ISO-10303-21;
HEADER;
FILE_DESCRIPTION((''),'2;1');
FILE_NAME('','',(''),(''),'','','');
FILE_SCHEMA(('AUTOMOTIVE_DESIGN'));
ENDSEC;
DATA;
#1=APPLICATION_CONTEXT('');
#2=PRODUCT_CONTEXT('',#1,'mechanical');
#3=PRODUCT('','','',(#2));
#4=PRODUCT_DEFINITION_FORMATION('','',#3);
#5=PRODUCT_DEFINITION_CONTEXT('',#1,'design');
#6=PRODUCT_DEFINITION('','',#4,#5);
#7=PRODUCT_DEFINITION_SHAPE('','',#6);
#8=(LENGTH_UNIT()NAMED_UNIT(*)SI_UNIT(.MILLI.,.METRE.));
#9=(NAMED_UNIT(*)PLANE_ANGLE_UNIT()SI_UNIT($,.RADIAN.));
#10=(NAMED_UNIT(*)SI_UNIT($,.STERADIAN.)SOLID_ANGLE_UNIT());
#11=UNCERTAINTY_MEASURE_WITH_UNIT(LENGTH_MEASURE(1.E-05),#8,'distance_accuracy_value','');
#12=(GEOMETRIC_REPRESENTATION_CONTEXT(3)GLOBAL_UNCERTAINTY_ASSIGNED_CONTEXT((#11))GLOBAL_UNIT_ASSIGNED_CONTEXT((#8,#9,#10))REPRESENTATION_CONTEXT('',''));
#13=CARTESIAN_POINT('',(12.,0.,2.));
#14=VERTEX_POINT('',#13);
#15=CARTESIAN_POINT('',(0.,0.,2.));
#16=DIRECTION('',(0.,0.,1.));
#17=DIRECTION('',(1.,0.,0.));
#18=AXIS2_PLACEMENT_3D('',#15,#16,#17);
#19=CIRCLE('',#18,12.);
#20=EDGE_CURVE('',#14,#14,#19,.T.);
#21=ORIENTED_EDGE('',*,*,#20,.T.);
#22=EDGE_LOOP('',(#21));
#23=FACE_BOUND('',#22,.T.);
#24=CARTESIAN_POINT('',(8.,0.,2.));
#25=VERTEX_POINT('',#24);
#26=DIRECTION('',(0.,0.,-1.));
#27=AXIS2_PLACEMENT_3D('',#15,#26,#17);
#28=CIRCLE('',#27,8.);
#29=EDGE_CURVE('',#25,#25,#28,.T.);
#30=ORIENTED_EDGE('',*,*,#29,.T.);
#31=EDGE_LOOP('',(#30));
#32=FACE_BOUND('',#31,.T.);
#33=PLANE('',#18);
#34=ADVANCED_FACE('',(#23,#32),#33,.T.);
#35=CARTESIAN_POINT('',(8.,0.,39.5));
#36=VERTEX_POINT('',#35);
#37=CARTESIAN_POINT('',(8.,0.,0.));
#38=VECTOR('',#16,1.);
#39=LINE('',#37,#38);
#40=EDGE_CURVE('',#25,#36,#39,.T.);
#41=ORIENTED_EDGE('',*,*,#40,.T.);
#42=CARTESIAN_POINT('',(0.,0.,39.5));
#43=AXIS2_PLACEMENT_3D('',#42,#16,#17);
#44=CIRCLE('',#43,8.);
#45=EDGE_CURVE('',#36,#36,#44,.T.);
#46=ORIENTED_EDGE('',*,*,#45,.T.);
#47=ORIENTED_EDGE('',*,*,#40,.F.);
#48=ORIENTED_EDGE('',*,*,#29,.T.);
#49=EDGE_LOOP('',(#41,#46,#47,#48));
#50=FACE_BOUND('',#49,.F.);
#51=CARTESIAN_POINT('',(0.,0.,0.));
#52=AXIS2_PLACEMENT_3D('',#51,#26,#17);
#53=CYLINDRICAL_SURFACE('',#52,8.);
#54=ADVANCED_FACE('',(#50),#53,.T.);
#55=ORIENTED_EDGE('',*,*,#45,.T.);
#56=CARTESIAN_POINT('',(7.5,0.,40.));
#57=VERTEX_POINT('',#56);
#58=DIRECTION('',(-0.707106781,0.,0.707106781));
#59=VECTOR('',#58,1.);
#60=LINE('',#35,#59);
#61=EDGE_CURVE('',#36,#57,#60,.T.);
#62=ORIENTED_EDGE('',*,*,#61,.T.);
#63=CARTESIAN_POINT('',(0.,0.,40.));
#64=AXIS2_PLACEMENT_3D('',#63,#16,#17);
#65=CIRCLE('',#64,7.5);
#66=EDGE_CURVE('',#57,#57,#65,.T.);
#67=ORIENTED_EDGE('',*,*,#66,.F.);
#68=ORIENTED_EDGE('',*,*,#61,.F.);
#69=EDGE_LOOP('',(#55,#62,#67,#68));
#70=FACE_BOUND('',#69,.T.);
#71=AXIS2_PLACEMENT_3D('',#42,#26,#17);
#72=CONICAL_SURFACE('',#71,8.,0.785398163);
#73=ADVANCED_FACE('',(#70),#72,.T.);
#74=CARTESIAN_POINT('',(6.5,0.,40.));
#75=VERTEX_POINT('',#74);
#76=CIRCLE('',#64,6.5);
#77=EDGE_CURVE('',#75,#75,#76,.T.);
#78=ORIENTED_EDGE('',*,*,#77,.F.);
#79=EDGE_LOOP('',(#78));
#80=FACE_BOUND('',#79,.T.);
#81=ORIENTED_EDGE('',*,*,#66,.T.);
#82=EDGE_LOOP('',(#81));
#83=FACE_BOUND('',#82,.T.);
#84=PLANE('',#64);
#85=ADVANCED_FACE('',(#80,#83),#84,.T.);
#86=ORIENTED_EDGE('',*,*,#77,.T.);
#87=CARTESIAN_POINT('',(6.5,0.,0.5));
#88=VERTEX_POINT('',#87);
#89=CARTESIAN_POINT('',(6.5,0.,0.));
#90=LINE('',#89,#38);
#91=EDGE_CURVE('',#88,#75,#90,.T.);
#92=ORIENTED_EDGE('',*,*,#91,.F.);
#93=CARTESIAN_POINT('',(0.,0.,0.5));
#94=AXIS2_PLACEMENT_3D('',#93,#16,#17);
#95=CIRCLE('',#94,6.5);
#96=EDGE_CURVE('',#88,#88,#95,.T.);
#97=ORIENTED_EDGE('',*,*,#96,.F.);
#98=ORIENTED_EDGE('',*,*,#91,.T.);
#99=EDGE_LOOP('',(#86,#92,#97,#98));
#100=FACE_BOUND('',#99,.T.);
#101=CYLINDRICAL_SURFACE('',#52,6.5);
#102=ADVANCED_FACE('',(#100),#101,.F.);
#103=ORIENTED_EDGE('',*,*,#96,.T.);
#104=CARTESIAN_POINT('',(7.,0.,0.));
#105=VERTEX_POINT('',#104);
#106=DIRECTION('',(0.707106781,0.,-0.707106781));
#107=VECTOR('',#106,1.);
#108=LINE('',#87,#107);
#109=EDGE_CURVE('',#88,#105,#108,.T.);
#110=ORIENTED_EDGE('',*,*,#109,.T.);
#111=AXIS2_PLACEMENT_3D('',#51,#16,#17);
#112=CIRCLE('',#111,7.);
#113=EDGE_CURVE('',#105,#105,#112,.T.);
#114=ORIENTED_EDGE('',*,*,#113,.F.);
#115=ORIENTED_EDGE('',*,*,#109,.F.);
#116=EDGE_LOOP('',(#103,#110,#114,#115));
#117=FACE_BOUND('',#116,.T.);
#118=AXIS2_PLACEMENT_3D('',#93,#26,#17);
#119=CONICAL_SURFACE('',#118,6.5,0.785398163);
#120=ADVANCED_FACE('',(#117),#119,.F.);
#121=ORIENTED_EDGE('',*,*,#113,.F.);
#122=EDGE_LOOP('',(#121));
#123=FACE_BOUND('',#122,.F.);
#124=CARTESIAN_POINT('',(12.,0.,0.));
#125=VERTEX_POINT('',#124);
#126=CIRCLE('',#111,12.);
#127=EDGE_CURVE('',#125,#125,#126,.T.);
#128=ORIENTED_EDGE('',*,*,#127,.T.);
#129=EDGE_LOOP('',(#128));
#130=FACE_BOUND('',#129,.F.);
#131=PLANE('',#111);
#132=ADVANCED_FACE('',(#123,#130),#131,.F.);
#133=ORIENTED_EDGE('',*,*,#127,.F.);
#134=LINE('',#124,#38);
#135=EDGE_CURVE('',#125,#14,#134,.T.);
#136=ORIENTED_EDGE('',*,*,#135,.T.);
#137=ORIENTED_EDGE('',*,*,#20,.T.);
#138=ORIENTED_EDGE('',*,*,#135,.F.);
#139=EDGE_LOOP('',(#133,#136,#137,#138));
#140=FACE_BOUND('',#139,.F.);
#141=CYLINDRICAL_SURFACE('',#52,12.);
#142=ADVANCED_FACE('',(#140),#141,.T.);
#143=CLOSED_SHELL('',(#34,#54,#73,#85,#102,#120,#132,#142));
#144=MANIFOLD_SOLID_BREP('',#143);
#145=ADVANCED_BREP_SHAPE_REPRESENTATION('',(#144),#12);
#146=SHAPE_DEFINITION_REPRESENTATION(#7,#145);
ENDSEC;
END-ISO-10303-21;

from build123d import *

# Parameters (mm, degrees)
SKETCH_R        = 8
SKETCH_R_2      = 6.5
PAD_DEPTH       = 40
SKETCH001_R     = 12
SKETCH001_R_2   = 6.5
PAD001_DEPTH    = 2
CHAMFER_SIZE    = 0.5
CHAMFER001_SIZE = 0.5


with BuildPart() as part:
    # Sketch → Pad (new body)
    with BuildSketch(Plane.XY):
        Circle(SKETCH_R)
        Circle(SKETCH_R_2, mode=Mode.SUBTRACT)
    extrude(amount=PAD_DEPTH)

    # Sketch001 → Pad001 (join)
    with BuildSketch(Plane.XY):
        Circle(SKETCH001_R)
        Circle(SKETCH001_R_2, mode=Mode.SUBTRACT)
    extrude(amount=PAD001_DEPTH)

    # Chamfer
    chamfer_edges = [part.edges().sort_by_distance(p)[0] for p in [
        (-8, 0, 40),
    ]]
    chamfer(chamfer_edges, length=CHAMFER_SIZE)

    # Chamfer001
    chamfer001_edges = [part.edges().sort_by_distance(p)[0] for p in [
        (-6.5, 0, 0),
    ]]
    chamfer(chamfer001_edges, length=CHAMFER001_SIZE)


solid = part.part
